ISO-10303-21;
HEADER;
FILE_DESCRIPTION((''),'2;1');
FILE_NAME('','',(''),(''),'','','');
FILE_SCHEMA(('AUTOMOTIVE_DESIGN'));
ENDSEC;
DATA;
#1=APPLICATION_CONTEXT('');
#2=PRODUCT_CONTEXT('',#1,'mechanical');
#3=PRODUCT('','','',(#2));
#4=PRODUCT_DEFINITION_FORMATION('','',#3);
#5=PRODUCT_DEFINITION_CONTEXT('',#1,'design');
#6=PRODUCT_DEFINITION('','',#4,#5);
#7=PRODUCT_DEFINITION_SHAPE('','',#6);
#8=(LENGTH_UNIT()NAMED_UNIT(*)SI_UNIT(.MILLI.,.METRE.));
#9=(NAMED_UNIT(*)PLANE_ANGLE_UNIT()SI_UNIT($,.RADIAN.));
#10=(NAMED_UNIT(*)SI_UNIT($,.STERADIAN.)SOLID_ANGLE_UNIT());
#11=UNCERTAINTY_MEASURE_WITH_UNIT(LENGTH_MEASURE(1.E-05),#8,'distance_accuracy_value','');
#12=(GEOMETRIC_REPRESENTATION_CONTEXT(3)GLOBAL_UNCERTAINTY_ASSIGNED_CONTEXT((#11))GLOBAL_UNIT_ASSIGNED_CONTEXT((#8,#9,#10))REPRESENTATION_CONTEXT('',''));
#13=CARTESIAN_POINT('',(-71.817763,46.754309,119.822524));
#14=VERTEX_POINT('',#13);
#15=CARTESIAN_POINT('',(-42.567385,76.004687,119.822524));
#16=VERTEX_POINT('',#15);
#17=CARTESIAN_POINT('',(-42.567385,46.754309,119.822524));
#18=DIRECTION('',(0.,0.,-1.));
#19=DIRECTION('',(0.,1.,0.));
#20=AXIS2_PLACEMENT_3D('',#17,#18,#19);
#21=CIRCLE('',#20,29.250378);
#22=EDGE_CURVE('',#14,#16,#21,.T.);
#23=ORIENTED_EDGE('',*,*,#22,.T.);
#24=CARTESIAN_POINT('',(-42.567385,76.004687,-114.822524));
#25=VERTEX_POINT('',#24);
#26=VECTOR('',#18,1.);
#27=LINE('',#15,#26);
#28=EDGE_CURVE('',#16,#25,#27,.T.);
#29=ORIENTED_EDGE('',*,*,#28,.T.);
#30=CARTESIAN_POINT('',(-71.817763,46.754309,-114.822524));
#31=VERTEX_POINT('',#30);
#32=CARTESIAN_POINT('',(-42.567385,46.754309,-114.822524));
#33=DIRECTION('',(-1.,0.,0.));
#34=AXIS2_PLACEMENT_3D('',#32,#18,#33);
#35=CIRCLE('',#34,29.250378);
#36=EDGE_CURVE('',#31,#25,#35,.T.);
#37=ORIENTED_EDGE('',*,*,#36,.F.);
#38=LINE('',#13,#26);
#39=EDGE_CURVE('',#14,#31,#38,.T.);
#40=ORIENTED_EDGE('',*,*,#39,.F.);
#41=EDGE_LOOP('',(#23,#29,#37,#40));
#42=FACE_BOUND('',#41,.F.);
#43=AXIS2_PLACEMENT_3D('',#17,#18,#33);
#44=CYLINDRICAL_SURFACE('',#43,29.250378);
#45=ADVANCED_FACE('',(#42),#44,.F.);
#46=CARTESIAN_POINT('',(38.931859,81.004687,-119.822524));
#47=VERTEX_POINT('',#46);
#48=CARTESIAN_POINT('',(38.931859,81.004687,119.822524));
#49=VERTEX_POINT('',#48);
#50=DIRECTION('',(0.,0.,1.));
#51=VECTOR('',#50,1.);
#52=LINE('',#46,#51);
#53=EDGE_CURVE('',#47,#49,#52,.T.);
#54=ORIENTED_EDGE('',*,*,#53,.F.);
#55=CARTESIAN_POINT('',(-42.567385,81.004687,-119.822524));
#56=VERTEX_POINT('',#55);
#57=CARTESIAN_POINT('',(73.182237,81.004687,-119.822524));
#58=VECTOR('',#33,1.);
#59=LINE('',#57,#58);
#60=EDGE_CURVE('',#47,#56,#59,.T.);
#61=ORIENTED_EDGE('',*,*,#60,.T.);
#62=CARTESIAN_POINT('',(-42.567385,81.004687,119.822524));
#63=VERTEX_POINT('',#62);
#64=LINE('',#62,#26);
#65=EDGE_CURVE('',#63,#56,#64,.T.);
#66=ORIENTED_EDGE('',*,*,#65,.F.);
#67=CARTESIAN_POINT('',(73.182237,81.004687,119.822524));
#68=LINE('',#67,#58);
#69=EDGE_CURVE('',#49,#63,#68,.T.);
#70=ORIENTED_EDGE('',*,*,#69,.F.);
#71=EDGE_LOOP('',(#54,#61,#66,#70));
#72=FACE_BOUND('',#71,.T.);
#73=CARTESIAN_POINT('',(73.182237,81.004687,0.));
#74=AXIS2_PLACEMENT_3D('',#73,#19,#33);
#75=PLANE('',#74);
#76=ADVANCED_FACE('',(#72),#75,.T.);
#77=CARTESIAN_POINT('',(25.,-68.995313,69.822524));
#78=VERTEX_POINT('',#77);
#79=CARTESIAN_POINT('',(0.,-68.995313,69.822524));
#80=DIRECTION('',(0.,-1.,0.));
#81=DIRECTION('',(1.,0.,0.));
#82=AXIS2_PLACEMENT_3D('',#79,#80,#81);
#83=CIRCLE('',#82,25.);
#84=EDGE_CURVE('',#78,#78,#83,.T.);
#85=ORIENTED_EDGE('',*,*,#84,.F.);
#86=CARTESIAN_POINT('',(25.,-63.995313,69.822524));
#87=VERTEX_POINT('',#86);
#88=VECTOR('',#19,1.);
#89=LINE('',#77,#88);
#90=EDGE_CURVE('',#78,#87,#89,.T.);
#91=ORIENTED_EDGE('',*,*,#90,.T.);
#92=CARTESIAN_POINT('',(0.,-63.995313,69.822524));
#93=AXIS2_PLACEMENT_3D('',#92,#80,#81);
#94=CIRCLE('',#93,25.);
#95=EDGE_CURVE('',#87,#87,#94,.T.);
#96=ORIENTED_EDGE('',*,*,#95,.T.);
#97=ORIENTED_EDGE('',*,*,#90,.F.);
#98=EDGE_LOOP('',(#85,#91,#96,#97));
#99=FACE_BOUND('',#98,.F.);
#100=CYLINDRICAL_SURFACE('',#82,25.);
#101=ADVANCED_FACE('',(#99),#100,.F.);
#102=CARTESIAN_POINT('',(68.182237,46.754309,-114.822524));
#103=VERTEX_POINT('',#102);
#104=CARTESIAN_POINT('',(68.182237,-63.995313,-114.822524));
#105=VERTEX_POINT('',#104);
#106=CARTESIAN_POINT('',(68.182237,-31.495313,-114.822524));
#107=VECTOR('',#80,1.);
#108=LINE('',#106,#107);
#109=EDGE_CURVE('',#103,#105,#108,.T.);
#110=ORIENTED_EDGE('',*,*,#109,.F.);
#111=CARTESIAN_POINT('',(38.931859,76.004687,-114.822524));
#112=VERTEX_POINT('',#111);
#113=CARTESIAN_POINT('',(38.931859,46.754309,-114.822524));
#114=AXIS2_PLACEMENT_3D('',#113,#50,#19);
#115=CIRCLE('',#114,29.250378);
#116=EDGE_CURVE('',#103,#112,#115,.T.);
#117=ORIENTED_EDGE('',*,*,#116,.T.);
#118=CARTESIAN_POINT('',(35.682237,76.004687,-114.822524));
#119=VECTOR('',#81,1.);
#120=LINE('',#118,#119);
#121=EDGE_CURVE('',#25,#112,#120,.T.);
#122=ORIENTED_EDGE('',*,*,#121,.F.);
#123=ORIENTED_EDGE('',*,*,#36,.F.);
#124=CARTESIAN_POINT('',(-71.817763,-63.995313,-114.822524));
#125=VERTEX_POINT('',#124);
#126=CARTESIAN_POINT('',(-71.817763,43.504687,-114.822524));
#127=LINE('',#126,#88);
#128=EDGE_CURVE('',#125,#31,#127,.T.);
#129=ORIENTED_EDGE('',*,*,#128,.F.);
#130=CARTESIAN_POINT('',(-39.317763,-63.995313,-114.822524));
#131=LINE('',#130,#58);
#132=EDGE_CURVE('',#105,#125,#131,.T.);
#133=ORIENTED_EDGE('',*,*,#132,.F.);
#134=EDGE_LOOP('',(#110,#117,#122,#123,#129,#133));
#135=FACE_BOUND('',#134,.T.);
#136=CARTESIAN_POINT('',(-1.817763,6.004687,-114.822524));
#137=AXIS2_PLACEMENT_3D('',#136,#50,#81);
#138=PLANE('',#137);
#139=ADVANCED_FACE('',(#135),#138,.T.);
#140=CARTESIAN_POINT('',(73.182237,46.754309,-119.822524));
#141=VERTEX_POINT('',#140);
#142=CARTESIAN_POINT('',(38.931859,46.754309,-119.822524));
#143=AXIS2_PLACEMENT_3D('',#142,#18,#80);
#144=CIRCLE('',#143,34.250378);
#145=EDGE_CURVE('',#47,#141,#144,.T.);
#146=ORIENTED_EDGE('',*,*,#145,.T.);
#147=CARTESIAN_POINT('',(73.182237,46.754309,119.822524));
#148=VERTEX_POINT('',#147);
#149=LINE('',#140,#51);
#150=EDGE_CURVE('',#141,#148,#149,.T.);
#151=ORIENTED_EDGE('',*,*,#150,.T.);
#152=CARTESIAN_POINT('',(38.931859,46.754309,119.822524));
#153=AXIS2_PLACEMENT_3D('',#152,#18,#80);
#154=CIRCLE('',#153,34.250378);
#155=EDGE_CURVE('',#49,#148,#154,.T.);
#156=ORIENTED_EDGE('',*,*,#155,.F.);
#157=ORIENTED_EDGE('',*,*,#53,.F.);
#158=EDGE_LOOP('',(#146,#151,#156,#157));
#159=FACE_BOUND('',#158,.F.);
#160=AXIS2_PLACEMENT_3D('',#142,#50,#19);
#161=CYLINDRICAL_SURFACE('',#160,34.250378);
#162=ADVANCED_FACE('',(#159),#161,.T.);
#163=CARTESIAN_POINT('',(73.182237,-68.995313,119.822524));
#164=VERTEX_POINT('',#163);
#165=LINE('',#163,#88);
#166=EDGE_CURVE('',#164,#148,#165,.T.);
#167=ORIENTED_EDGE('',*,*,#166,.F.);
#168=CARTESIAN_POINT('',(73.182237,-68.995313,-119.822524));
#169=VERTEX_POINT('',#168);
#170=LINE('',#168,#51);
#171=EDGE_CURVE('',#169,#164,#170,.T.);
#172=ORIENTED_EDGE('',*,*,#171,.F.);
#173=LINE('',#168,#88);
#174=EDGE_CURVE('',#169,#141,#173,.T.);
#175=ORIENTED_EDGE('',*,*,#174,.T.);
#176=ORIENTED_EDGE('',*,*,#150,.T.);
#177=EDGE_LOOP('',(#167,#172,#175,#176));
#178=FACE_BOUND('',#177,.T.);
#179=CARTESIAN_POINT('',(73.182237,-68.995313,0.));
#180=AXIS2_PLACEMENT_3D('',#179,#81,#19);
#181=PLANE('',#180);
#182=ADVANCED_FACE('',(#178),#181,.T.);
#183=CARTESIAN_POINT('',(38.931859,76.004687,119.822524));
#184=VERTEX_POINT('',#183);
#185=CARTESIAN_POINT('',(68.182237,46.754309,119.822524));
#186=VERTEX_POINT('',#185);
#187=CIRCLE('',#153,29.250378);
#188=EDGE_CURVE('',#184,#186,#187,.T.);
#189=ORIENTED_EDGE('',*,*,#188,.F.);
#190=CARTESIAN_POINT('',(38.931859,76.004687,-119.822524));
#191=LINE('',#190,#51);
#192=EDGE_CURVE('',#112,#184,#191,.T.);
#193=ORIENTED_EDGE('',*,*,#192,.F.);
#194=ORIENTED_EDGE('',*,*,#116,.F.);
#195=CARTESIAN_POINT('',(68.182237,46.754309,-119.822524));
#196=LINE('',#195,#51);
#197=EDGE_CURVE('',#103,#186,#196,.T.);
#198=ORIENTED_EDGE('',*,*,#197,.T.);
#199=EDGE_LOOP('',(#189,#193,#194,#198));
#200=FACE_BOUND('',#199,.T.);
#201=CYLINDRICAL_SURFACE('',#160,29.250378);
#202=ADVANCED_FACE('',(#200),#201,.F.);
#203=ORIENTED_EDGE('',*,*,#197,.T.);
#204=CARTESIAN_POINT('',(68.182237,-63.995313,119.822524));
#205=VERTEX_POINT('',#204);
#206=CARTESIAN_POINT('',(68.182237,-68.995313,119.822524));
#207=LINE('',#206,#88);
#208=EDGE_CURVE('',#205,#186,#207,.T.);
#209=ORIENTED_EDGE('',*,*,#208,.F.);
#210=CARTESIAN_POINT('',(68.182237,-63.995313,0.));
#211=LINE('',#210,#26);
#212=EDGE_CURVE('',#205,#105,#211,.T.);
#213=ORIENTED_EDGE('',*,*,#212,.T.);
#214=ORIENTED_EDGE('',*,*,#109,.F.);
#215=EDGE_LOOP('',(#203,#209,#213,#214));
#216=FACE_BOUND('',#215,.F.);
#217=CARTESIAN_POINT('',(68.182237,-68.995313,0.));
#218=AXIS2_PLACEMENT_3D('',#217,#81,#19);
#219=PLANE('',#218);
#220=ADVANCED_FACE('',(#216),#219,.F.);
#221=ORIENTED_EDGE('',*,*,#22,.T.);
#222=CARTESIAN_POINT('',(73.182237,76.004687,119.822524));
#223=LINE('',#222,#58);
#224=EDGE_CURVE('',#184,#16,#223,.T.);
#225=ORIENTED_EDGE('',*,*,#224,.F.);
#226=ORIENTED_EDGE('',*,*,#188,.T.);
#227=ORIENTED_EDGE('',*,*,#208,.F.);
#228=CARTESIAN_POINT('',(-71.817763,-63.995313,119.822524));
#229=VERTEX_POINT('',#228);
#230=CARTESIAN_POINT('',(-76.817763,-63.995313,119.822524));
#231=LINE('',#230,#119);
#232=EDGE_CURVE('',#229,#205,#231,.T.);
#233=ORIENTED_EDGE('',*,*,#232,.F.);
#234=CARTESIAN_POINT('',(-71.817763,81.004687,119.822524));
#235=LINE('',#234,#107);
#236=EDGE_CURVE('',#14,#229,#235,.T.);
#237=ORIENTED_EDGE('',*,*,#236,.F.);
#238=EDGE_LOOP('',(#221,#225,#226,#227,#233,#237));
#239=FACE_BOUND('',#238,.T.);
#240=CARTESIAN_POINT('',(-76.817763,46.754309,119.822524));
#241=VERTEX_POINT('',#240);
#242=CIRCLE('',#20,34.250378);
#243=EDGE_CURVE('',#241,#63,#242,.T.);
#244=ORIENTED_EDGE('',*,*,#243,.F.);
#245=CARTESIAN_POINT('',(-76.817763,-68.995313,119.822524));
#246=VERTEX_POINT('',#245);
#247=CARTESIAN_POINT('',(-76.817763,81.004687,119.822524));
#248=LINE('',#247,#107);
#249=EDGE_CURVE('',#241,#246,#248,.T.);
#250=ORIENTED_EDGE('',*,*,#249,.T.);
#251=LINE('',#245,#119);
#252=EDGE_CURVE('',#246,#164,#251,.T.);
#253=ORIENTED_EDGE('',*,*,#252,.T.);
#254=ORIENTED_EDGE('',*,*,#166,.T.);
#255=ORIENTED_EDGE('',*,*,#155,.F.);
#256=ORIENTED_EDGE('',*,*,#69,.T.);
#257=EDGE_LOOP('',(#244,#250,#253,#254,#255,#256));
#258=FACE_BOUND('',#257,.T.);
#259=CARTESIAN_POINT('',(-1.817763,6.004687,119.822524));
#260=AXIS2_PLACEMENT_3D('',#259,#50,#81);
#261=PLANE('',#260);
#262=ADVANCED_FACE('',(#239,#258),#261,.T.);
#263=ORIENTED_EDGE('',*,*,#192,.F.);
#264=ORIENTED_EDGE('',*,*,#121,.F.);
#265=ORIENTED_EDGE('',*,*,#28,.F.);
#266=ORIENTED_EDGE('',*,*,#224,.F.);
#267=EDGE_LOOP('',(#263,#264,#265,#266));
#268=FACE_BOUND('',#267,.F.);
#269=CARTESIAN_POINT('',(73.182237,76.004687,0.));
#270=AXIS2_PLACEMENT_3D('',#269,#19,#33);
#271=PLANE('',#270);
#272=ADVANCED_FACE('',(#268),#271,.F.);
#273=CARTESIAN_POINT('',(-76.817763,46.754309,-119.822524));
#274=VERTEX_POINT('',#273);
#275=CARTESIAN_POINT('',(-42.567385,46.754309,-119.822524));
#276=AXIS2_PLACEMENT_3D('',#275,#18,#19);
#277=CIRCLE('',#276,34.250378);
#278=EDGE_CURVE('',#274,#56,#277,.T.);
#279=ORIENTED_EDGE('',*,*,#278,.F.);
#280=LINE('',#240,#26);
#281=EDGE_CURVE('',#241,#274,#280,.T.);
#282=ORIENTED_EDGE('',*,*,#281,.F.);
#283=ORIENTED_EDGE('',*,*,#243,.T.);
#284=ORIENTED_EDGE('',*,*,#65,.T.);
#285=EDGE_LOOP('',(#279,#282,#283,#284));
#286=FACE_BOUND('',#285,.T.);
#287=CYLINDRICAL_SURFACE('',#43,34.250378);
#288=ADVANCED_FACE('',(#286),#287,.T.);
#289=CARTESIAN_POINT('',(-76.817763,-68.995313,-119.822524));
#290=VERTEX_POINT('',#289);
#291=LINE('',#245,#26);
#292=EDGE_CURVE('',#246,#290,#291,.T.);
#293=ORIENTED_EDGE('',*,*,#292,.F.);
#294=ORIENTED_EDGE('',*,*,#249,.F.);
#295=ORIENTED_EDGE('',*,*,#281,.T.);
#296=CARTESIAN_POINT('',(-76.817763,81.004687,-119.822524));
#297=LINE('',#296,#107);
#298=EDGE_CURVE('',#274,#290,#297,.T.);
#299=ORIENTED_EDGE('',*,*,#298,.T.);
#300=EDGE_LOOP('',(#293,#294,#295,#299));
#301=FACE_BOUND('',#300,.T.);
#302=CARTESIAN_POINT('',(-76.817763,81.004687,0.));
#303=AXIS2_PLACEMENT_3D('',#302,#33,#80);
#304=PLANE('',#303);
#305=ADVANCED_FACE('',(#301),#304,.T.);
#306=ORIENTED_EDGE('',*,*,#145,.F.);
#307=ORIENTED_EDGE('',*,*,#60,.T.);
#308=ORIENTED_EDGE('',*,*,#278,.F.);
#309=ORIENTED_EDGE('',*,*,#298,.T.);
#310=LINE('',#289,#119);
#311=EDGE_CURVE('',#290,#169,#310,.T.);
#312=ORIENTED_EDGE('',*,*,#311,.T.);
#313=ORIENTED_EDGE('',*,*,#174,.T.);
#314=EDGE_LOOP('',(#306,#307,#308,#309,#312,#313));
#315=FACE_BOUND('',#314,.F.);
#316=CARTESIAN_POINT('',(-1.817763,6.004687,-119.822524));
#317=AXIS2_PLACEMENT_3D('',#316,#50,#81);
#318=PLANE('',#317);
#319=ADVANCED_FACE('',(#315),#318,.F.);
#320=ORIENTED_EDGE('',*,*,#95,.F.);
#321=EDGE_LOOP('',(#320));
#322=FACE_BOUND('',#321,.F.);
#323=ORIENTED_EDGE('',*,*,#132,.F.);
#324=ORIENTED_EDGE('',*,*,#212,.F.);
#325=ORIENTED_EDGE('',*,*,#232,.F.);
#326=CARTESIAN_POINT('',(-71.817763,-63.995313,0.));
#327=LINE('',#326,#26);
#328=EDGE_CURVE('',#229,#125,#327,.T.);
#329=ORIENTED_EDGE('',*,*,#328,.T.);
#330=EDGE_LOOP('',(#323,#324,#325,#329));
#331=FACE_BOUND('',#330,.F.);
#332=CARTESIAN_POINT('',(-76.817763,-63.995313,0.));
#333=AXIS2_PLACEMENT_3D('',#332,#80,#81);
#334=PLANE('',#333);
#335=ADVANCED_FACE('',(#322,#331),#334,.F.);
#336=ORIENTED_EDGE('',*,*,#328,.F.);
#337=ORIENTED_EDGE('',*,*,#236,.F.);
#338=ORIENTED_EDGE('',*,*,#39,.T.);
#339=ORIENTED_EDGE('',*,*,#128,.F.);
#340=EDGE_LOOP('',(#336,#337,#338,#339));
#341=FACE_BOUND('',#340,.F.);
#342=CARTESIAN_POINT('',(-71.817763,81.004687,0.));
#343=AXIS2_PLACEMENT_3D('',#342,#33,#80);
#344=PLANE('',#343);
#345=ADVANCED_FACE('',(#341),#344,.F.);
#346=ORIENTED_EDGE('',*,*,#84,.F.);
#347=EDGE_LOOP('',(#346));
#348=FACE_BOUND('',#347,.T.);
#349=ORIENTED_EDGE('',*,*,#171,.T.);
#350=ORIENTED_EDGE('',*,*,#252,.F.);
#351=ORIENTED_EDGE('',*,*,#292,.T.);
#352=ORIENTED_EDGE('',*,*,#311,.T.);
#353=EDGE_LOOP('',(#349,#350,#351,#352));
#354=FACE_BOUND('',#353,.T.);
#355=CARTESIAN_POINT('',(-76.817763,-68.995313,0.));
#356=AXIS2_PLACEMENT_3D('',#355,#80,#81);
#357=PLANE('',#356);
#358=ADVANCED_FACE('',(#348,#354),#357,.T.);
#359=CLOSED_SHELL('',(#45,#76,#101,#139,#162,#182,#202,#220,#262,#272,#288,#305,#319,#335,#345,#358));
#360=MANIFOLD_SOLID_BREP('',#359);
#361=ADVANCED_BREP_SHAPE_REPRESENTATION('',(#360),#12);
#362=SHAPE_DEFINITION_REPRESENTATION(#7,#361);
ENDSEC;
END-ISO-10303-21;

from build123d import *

# Parameters (mm, degrees)
F1_DEPTH = 119.822524
F2_R     = 34.250378
F3_T     = -5
F4_R     = 25
F5_DEPTH = 25


with BuildPart() as f1:
    # F0 (on Top) → F1 (new body, symmetric)
    with BuildSketch(Plane.XY):
        Polygon((-76.817763, -68.995313), (73.182237, -68.995313), (73.182237, 81.004687), (-1.817763, 81.004687), (-76.817763, 81.004687), align=None)
    extrude(amount=F1_DEPTH, both=True)

    # F2
    f2_edges = [f1.edges().sort_by_distance(p)[0] for p in [
        (73.182237, 81.004687, 0),
        (-76.817763, 81.004687, 0),
    ]]
    fillet(f2_edges, radius=F2_R)

    # F3
    f3_openings = [f1.faces().sort_by_distance(p)[0] for p in [
        (-1.817763, 4.463075, 119.822524),
    ]]
    offset(amount=F3_T, openings=f3_openings)

    # F4 (on face) → F5 (cut)
    with BuildSketch(Plane.XZ.offset(68.995313)):
        with Locations((0, 69.822524)):
            Circle(F4_R)
    extrude(amount=-F5_DEPTH, mode=Mode.SUBTRACT)


solid = f1.part
